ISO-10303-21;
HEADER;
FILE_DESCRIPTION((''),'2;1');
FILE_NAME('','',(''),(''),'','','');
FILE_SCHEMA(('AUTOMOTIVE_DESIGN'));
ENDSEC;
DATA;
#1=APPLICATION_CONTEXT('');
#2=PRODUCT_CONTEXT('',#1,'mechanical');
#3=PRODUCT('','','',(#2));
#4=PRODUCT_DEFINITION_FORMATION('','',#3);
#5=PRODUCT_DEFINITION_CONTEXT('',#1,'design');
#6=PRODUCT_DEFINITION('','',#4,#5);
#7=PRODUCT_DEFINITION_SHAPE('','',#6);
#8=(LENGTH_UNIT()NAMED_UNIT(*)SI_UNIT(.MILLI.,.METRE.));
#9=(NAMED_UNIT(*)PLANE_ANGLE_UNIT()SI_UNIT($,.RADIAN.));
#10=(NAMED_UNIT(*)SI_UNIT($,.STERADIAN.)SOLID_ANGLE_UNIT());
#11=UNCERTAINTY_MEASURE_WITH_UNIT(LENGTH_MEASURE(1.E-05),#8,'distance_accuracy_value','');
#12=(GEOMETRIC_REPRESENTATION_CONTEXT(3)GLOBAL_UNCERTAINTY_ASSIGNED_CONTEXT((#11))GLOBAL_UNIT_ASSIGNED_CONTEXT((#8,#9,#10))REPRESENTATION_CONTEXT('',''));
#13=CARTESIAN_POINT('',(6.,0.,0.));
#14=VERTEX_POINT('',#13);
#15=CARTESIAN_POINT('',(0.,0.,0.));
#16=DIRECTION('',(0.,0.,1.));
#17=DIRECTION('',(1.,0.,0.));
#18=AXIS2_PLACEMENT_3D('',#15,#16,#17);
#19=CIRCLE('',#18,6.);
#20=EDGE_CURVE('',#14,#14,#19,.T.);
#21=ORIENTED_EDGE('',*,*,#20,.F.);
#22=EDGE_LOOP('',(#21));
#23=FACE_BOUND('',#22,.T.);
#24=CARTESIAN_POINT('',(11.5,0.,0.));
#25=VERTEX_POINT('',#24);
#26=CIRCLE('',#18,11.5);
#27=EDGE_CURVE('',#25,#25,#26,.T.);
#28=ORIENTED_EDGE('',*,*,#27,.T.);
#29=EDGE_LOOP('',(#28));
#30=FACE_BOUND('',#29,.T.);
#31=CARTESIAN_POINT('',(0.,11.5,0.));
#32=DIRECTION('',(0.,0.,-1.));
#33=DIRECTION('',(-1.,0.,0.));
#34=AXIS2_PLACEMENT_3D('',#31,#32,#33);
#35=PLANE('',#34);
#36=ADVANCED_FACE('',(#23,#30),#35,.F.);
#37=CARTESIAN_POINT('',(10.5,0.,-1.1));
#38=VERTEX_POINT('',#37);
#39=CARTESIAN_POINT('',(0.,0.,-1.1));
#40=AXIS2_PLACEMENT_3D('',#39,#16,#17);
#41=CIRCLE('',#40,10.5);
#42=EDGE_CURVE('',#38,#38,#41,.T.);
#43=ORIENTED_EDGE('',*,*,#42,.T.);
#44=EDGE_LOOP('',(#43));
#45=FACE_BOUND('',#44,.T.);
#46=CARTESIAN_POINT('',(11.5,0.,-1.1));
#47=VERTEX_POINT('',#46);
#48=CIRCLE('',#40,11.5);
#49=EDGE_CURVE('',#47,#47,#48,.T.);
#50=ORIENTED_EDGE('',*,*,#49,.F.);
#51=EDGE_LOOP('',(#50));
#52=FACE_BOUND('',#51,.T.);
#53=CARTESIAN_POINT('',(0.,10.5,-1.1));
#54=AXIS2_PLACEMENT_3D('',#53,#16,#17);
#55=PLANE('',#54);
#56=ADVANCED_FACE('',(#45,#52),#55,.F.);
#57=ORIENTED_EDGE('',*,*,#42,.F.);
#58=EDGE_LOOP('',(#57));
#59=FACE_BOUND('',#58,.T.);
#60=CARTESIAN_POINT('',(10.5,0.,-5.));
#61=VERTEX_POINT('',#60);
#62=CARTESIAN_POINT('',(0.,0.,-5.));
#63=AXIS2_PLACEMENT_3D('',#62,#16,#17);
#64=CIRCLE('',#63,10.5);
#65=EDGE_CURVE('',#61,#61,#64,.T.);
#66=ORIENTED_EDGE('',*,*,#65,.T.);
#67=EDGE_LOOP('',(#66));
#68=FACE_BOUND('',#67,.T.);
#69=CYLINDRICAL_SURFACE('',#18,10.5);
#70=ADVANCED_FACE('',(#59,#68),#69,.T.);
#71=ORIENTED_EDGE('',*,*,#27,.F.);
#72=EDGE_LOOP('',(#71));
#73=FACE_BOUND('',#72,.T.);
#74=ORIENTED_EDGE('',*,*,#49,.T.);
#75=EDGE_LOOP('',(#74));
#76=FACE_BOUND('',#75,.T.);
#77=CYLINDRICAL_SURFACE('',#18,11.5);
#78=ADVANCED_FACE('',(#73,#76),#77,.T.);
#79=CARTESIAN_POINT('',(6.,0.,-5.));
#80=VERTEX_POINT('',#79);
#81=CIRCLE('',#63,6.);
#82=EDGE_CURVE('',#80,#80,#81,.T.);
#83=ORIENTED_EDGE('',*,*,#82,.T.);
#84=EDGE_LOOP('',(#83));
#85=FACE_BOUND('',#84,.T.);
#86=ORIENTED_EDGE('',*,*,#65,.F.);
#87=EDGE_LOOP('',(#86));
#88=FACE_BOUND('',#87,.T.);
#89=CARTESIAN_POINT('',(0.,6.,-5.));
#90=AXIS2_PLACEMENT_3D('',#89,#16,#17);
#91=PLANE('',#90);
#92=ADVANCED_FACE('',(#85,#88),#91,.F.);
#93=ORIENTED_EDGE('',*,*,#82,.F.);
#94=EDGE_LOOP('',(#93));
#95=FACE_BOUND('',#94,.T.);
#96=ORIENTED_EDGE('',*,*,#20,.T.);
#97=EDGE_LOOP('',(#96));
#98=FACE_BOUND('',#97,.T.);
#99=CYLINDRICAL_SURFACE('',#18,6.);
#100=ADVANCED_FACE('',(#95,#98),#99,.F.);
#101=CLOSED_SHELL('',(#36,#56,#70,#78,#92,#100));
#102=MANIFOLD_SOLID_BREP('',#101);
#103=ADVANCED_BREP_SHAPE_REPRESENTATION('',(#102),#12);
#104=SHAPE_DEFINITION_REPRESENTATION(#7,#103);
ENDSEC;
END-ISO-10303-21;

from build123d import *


with BuildPart() as part:
    # Sketch1 → Revolve1 (revolve)
    with BuildSketch(Plane(origin=(0, 0, 0), x_dir=(0, 0, -1), z_dir=(1, 0, 0)), mode=Mode.PRIVATE) as revolve1_sk:
        Polygon((0, 6), (5, 6), (5, 10.5), (1.1, 10.5), (1.1, 11.5), (0, 11.5), align=None)
    revolve(revolve1_sk.sketch.rotate(Axis((0, 0, 0), (0, 0, -1)), 90), axis=Axis((0, 0, 0), (0, 0, -1)))


solid = part.part
